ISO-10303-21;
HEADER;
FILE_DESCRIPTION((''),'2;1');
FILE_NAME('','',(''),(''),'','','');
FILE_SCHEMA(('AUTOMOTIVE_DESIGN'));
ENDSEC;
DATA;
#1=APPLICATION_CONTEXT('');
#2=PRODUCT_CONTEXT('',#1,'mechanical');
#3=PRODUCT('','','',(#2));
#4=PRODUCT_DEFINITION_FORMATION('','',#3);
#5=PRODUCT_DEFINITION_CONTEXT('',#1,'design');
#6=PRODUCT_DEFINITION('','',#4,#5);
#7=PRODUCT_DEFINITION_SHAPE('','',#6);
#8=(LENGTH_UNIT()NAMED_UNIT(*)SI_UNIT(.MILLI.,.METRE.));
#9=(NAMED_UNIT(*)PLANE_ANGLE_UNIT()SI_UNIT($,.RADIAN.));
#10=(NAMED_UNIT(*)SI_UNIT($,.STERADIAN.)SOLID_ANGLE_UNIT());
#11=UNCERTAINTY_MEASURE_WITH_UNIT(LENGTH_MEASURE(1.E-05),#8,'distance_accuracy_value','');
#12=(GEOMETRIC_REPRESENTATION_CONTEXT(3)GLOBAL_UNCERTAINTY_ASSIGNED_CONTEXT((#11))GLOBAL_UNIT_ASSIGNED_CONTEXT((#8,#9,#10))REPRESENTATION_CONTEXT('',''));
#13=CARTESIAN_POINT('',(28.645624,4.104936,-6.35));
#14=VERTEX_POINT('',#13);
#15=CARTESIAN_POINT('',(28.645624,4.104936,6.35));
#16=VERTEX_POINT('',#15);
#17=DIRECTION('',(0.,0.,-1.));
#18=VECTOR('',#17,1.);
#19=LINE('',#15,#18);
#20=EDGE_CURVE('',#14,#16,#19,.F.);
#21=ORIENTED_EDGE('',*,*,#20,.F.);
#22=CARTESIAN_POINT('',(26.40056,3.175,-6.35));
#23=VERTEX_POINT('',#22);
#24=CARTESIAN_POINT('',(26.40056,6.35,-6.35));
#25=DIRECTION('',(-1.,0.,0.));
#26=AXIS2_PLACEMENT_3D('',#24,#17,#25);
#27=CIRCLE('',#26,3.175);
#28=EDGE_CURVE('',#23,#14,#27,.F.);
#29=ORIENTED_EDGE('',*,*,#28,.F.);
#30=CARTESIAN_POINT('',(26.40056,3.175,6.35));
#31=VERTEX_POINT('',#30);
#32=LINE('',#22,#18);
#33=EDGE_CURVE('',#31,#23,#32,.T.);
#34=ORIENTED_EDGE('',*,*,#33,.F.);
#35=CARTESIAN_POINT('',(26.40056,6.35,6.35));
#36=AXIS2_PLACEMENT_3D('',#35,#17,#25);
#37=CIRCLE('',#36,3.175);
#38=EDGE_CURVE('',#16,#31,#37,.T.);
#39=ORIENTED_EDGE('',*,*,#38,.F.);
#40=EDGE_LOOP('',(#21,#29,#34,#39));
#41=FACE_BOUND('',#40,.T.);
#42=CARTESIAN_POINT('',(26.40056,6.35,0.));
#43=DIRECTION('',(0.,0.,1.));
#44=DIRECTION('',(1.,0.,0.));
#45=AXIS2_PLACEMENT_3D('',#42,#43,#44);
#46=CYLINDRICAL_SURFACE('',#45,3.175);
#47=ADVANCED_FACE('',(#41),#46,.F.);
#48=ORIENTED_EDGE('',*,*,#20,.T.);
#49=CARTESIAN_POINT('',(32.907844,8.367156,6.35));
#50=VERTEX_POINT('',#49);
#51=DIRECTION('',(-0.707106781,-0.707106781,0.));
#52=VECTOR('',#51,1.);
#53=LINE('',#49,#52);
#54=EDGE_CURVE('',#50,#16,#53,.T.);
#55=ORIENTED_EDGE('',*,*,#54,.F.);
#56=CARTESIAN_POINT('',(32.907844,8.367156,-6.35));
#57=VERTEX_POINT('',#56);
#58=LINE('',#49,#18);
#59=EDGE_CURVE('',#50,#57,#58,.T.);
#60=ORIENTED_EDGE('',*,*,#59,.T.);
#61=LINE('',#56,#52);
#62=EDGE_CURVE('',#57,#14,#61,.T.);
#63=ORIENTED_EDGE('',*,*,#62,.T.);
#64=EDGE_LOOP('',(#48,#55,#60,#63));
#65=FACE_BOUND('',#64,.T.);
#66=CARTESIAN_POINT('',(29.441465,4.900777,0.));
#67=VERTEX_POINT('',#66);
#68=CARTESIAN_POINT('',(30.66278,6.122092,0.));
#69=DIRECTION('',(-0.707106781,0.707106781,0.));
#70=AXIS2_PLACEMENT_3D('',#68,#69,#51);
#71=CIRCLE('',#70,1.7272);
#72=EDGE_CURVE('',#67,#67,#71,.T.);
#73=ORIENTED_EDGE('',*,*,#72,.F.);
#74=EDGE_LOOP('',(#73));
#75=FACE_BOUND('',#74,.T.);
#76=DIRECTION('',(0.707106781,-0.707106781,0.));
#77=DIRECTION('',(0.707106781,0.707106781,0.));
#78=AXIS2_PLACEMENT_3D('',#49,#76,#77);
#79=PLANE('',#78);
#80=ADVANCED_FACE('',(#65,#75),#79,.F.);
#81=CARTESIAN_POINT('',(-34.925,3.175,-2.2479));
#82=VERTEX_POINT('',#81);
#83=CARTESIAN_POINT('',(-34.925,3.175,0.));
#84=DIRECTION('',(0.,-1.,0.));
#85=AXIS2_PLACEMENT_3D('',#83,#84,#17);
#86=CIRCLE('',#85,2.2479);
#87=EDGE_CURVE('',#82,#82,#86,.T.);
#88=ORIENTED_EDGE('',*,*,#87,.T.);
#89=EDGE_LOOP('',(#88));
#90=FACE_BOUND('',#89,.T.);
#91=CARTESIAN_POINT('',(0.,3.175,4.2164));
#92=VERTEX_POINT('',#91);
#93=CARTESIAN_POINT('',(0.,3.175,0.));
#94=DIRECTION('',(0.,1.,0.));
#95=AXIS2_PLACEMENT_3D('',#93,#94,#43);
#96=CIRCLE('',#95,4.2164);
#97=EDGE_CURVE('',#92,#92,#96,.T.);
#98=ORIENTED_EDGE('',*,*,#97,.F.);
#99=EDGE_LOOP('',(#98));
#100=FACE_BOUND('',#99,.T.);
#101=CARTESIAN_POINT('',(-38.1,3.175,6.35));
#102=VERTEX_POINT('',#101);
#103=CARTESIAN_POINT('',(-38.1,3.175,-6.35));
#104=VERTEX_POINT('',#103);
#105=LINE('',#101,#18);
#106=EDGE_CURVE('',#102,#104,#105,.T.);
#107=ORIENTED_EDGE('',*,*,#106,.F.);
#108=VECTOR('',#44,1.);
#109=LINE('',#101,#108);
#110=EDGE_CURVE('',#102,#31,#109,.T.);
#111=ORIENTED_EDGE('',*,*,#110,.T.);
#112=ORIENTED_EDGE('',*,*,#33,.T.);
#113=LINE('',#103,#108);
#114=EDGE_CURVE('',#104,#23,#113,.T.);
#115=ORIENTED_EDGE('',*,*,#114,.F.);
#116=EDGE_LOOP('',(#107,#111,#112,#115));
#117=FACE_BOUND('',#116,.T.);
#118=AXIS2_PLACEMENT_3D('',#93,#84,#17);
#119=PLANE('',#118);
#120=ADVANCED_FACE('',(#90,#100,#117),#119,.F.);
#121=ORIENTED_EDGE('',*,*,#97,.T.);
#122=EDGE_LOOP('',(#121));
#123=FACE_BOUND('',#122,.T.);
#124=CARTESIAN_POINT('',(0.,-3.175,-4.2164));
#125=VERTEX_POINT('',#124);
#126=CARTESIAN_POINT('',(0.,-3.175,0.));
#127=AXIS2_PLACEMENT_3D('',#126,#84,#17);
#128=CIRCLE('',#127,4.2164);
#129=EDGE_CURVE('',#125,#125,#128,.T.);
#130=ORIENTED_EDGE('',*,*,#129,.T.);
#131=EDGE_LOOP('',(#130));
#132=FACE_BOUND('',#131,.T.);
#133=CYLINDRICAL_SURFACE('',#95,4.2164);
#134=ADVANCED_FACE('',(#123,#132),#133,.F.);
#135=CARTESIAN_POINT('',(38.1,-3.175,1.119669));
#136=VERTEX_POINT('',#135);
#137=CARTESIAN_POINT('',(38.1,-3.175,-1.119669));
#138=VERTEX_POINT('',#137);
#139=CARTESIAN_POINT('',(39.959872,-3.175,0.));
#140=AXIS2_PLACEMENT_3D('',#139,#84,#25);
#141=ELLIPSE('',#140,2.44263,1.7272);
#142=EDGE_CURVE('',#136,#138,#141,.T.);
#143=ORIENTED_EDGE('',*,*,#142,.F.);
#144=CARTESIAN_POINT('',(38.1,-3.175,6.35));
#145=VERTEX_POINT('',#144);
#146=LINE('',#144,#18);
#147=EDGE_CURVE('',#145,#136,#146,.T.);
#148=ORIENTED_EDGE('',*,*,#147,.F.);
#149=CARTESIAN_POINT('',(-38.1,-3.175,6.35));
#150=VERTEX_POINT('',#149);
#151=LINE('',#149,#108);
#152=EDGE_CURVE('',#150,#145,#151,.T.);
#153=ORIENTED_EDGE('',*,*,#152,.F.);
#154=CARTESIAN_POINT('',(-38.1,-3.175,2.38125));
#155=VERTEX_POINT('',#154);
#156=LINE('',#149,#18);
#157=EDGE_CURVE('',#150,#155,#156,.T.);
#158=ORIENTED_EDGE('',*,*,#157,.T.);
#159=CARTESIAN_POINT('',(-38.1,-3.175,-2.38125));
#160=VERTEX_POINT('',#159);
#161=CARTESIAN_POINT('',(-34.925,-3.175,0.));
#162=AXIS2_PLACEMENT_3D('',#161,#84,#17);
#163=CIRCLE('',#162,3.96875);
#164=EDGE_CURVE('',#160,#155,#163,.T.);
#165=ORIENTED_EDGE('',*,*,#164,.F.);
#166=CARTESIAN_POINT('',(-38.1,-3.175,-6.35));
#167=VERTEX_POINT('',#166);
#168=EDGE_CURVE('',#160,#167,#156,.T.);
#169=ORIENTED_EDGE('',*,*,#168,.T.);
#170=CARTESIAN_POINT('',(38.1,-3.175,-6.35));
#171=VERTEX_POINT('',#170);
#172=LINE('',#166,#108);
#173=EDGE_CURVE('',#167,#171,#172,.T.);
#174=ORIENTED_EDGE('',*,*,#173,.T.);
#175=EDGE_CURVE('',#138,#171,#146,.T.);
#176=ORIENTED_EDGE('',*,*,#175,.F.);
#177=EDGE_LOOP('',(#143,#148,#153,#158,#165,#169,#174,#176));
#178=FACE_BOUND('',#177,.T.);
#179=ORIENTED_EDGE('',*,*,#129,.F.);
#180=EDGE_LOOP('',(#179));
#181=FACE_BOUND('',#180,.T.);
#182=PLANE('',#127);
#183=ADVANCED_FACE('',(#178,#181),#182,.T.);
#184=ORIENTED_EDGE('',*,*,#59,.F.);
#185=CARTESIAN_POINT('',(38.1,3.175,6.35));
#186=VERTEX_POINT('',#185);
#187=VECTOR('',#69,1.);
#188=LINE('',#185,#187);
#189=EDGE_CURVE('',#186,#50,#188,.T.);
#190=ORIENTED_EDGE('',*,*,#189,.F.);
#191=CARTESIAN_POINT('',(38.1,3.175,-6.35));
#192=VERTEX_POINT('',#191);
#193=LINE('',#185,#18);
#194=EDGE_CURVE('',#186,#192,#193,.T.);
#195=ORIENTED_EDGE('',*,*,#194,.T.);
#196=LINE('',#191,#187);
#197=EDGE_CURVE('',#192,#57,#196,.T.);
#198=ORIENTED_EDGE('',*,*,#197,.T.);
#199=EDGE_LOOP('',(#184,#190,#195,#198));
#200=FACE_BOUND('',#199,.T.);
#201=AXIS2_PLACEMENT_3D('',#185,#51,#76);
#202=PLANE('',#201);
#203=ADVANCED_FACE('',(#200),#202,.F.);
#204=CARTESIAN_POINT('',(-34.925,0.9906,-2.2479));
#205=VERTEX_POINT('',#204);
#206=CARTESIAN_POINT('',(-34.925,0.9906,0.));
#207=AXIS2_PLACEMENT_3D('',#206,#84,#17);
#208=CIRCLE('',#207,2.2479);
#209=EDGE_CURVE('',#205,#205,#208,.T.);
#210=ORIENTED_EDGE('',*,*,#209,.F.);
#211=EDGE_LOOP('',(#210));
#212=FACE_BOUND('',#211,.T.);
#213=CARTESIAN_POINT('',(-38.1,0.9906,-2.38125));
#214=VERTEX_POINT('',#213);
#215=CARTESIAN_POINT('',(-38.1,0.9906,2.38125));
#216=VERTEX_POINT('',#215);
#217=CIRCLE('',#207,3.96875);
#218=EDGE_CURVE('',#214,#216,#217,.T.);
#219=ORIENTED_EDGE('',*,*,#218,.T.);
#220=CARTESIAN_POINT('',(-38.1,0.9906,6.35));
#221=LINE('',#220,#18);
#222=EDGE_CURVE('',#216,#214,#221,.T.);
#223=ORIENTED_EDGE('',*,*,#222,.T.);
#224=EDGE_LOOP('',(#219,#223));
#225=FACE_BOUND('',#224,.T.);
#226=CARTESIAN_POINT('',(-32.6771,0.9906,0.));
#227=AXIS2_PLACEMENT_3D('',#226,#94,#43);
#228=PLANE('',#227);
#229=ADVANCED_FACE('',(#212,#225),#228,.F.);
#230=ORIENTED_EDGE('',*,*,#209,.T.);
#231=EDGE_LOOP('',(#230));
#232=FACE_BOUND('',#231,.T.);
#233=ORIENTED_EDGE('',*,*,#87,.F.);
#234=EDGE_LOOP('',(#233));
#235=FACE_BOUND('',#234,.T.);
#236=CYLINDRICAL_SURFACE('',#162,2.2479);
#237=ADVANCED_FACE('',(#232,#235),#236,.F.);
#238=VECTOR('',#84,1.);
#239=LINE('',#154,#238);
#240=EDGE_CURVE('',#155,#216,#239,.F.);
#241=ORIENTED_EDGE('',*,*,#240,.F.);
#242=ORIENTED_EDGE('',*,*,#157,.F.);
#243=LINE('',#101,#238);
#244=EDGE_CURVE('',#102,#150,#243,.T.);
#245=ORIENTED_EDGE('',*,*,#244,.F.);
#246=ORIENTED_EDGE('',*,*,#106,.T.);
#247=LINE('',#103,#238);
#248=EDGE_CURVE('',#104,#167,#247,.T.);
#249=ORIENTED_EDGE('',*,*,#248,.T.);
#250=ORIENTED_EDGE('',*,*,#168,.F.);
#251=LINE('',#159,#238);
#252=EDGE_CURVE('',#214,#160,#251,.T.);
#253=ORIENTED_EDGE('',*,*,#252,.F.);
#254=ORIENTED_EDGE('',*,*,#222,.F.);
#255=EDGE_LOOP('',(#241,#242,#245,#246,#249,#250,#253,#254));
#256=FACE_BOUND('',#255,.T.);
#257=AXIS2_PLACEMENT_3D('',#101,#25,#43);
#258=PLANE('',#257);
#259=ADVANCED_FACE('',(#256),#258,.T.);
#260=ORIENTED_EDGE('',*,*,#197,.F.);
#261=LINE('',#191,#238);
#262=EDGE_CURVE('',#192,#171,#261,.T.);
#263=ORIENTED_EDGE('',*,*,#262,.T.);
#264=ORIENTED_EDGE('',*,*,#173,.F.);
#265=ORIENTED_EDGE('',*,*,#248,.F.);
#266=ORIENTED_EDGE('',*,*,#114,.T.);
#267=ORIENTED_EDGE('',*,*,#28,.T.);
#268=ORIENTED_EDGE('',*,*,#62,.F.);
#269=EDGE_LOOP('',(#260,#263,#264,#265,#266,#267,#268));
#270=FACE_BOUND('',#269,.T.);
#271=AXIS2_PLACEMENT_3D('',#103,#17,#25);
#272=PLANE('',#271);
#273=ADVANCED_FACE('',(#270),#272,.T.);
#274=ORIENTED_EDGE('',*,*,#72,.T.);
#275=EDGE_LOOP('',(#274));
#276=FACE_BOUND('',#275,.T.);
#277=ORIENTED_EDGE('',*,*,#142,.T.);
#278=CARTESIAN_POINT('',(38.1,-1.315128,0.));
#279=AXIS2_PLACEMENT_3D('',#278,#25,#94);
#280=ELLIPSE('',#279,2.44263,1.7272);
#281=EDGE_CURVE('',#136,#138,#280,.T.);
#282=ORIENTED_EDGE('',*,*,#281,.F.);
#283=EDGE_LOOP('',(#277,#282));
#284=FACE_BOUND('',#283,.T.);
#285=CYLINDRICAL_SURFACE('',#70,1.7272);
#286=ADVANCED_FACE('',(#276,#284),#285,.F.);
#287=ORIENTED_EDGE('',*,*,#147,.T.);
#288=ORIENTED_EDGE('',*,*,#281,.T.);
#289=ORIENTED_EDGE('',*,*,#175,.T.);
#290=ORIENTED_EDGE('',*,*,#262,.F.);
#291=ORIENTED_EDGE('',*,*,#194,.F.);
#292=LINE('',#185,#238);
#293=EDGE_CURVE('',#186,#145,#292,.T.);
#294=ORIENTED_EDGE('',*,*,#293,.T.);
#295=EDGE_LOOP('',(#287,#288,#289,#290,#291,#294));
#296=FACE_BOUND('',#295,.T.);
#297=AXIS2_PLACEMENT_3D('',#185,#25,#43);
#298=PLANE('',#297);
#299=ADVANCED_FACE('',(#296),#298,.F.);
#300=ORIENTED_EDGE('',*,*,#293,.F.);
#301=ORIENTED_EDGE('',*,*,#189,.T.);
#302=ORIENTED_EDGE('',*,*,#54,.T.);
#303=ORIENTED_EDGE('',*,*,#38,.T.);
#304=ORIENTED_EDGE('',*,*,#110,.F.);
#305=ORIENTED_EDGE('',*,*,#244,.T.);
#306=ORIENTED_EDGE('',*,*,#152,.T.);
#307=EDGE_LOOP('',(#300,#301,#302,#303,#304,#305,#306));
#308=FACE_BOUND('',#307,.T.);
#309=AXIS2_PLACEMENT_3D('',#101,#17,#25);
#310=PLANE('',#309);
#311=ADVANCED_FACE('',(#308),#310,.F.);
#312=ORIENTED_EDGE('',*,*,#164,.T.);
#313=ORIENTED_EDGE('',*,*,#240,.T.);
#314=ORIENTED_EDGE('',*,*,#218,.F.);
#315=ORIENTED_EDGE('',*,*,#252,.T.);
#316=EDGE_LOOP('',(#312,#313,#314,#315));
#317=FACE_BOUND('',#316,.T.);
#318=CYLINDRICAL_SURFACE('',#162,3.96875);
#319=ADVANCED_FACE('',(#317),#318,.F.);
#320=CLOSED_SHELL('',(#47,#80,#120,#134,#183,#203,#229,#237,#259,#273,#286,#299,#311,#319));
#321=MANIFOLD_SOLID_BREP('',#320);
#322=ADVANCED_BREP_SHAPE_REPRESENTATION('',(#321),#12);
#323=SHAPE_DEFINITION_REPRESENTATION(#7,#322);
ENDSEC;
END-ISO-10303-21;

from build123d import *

# Parameters (mm, degrees)
SKETCH1_W                                      = 76.2
SKETCH1_H                                      = 12.7
BOSS_EXTRUDE1_DEPTH                            = 3.175
F_5_16_CLEARANCE_HOLE1_D                       = 8.4328
F_5_16_CLEARANCE_HOLE1_DEPTH                   = 16.51
F_5_16_CLEARANCE_HOLE1_TIP                     = 2.533468714
BOSS_EXTRUDE2_DEPTH                            = 6.35
CBORE_FOR_8_SOCKET_HEAD_CAP_SCREW1_D           = 4.4958
CBORE_FOR_8_SOCKET_HEAD_CAP_SCREW1_DEPTH       = 16.51
CBORE_FOR_8_SOCKET_HEAD_CAP_SCREW1_CBORE_D     = 7.9375
CBORE_FOR_8_SOCKET_HEAD_CAP_SCREW1_CBORE_DEPTH = 4.1656
CBORE_FOR_8_SOCKET_HEAD_CAP_SCREW1_TIP         = 1.350674586
F_8_32_TAPPED_HOLE1_D                          = 3.4544
FILLET1_R                                      = 3.175


with BuildPart() as part:
    # Sketch1 → Boss-Extrude1 (new, symmetric)
    with BuildSketch(Plane(origin=(0, 0, 0), x_dir=(1, 0, 0), z_dir=(0, 1, 0))):
        Rectangle(SKETCH1_W, SKETCH1_H)
    extrude(amount=BOSS_EXTRUDE1_DEPTH, both=True)

    # 5/16 Clearance Hole1
    with Locations(Plane(origin=(0, 3.175, 0), x_dir=(1, 0, 0), z_dir=(0, 1, 0))):
        with Locations((0, 0)):
            Hole(F_5_16_CLEARANCE_HOLE1_D / 2, depth=F_5_16_CLEARANCE_HOLE1_DEPTH)
            with Locations((0, 0, -(F_5_16_CLEARANCE_HOLE1_DEPTH + F_5_16_CLEARANCE_HOLE1_TIP / 2))):  # 118° drill point
                Cone(0, F_5_16_CLEARANCE_HOLE1_D / 2, F_5_16_CLEARANCE_HOLE1_TIP, mode=Mode.SUBTRACT)

    # Sketch6 → Boss-Extrude2 (add, symmetric)
    with BuildSketch(Plane.XY):
        Polygon((38.1, 3.175), (32.907844009, 8.367155991), (27.715688019, 3.175), align=None)
    extrude(amount=BOSS_EXTRUDE2_DEPTH, both=True)

    # CBORE for #8 Socket Head Cap Screw1
    with Locations(Plane(origin=(0, -3.175, 0), x_dir=(-1, 0, 0), z_dir=(0, -1, 0))):
        with Locations((34.925, 0)):
            CounterBoreHole(CBORE_FOR_8_SOCKET_HEAD_CAP_SCREW1_D / 2, CBORE_FOR_8_SOCKET_HEAD_CAP_SCREW1_CBORE_D / 2, CBORE_FOR_8_SOCKET_HEAD_CAP_SCREW1_CBORE_DEPTH, depth=CBORE_FOR_8_SOCKET_HEAD_CAP_SCREW1_DEPTH)
            with Locations((0, 0, -(CBORE_FOR_8_SOCKET_HEAD_CAP_SCREW1_DEPTH + CBORE_FOR_8_SOCKET_HEAD_CAP_SCREW1_TIP / 2))):  # 118° drill point
                Cone(0, CBORE_FOR_8_SOCKET_HEAD_CAP_SCREW1_D / 2, CBORE_FOR_8_SOCKET_HEAD_CAP_SCREW1_TIP, mode=Mode.SUBTRACT)

    # #8-32 Tapped Hole1 (through all)
    with Locations(Plane(origin=(12.270344009, -12.270344009, 0), x_dir=(0.7071067811865476, 0.7071067811865475, 0), z_dir=(-0.7071067811865475, 0.7071067811865476, 0))):
        with Locations((26.010832393, 0)):
            Hole(F_8_32_TAPPED_HOLE1_D / 2)

    # Fillet1
    fillet1_edges = [part.edges().sort_by_distance(p)[0] for p in [
        (27.715688019, 3.175, 0),
    ]]
    fillet(fillet1_edges, radius=FILLET1_R)


solid = part.part
